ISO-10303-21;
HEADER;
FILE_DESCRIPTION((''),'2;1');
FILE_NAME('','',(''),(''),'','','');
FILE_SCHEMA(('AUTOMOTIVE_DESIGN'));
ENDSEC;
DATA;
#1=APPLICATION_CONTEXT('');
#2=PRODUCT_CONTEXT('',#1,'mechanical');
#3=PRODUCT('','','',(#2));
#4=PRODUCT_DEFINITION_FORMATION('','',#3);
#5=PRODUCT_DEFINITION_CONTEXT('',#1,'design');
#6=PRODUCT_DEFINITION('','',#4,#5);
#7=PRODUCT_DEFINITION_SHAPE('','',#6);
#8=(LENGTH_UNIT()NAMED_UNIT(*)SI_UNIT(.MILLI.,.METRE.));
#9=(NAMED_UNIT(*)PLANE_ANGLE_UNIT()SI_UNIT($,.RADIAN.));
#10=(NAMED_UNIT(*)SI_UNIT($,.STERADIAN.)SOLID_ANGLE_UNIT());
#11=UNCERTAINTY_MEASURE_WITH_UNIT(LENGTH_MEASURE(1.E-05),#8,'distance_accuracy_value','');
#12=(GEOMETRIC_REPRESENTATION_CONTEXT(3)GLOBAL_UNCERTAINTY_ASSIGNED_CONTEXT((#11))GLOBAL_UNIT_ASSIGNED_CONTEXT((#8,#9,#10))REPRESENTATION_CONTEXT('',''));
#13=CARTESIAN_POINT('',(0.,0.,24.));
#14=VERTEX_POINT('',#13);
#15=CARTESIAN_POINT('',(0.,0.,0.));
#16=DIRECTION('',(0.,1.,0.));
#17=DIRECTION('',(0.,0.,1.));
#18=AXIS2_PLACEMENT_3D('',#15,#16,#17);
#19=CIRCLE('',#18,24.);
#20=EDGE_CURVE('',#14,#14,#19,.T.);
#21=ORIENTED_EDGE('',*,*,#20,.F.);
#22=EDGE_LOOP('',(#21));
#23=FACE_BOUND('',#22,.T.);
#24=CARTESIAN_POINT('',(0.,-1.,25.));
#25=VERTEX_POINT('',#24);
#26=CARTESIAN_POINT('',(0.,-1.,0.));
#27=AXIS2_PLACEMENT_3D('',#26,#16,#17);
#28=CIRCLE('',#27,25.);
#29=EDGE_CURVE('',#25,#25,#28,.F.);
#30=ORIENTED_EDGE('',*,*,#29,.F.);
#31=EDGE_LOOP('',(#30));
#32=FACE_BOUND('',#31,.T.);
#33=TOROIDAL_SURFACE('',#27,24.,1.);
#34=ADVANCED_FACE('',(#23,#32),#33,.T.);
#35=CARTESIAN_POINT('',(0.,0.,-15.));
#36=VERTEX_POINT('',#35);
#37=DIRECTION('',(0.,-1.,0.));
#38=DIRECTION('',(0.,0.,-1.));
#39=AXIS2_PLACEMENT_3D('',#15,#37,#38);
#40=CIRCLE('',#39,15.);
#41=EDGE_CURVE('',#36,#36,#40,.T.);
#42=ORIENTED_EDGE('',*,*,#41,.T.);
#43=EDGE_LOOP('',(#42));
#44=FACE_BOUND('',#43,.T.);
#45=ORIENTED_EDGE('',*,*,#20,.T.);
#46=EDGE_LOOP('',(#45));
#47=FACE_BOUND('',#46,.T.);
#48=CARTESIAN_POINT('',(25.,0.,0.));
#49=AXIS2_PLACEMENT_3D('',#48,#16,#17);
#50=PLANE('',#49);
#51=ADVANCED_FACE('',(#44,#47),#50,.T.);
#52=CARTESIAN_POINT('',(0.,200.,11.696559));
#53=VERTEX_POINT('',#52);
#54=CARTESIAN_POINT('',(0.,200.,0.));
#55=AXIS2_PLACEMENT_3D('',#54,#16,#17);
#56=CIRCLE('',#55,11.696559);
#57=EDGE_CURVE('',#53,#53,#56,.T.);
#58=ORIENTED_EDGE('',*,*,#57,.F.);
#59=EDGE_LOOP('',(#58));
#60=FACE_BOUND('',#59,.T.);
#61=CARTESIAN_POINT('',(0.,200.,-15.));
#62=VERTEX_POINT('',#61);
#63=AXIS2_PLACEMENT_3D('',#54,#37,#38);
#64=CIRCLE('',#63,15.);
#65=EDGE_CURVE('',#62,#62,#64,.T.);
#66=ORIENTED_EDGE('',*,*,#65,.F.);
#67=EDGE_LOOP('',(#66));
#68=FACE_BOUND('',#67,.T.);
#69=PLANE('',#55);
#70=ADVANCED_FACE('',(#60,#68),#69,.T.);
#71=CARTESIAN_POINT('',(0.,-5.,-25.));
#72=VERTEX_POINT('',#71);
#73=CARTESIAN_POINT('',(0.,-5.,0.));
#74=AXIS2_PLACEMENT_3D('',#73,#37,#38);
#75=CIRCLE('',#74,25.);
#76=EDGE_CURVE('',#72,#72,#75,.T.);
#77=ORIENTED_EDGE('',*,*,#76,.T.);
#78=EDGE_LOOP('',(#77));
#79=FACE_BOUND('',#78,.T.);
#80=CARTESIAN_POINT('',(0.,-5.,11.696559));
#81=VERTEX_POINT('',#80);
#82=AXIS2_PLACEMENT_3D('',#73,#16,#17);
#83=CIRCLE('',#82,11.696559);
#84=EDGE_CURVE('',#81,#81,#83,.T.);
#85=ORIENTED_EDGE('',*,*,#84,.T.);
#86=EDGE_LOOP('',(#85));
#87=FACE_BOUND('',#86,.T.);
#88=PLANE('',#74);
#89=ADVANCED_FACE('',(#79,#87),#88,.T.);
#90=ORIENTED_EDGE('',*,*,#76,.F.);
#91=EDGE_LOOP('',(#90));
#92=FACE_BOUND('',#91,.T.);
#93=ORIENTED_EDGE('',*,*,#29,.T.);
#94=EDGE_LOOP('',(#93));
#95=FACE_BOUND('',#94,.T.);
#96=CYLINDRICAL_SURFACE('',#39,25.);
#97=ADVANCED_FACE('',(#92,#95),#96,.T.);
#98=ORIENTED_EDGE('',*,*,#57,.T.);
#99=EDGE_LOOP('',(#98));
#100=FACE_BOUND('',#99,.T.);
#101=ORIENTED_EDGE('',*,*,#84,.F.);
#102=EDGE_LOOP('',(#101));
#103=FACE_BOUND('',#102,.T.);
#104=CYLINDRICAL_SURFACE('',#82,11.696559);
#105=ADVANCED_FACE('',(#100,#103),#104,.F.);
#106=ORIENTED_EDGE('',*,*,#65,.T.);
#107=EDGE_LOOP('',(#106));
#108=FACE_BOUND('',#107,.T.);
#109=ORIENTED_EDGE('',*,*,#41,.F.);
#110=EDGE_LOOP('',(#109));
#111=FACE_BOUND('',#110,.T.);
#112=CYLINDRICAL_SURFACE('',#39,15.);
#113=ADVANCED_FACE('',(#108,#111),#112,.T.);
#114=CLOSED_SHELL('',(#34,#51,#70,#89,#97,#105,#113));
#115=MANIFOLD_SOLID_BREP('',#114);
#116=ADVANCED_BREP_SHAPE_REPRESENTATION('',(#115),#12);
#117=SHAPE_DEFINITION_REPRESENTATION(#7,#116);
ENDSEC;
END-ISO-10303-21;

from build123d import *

# Parameters (mm, degrees)
FILLET2_R          = 1
SKETCH2_R          = 11.696559432
CUT_EXTRUDE1_DEPTH = 206


with BuildPart() as part:
    # Sketch1 → Revolve1 (revolve)
    with BuildSketch(Plane.XY):
        Polygon((0, 0), (0, 200), (15, 200), (15, 0), (25, 0), (25, -5), (0, -5), align=None)
    revolve(axis=Axis((0, 0, 0), (0, 1, 0)))

    # Fillet2
    fillet2_edges = [part.edges().sort_by_distance(p)[0] for p in [
        (-25, 0, 0),
    ]]
    fillet(fillet2_edges, radius=FILLET2_R)

    # Sketch2 → Cut-Extrude1 (cut, through all)
    with BuildSketch(Plane(origin=(0, 200, 0), x_dir=(1, 0, 0), z_dir=(0, 1, 0))):
        Circle(SKETCH2_R)
    extrude(amount=-CUT_EXTRUDE1_DEPTH, mode=Mode.SUBTRACT)


solid = part.part
